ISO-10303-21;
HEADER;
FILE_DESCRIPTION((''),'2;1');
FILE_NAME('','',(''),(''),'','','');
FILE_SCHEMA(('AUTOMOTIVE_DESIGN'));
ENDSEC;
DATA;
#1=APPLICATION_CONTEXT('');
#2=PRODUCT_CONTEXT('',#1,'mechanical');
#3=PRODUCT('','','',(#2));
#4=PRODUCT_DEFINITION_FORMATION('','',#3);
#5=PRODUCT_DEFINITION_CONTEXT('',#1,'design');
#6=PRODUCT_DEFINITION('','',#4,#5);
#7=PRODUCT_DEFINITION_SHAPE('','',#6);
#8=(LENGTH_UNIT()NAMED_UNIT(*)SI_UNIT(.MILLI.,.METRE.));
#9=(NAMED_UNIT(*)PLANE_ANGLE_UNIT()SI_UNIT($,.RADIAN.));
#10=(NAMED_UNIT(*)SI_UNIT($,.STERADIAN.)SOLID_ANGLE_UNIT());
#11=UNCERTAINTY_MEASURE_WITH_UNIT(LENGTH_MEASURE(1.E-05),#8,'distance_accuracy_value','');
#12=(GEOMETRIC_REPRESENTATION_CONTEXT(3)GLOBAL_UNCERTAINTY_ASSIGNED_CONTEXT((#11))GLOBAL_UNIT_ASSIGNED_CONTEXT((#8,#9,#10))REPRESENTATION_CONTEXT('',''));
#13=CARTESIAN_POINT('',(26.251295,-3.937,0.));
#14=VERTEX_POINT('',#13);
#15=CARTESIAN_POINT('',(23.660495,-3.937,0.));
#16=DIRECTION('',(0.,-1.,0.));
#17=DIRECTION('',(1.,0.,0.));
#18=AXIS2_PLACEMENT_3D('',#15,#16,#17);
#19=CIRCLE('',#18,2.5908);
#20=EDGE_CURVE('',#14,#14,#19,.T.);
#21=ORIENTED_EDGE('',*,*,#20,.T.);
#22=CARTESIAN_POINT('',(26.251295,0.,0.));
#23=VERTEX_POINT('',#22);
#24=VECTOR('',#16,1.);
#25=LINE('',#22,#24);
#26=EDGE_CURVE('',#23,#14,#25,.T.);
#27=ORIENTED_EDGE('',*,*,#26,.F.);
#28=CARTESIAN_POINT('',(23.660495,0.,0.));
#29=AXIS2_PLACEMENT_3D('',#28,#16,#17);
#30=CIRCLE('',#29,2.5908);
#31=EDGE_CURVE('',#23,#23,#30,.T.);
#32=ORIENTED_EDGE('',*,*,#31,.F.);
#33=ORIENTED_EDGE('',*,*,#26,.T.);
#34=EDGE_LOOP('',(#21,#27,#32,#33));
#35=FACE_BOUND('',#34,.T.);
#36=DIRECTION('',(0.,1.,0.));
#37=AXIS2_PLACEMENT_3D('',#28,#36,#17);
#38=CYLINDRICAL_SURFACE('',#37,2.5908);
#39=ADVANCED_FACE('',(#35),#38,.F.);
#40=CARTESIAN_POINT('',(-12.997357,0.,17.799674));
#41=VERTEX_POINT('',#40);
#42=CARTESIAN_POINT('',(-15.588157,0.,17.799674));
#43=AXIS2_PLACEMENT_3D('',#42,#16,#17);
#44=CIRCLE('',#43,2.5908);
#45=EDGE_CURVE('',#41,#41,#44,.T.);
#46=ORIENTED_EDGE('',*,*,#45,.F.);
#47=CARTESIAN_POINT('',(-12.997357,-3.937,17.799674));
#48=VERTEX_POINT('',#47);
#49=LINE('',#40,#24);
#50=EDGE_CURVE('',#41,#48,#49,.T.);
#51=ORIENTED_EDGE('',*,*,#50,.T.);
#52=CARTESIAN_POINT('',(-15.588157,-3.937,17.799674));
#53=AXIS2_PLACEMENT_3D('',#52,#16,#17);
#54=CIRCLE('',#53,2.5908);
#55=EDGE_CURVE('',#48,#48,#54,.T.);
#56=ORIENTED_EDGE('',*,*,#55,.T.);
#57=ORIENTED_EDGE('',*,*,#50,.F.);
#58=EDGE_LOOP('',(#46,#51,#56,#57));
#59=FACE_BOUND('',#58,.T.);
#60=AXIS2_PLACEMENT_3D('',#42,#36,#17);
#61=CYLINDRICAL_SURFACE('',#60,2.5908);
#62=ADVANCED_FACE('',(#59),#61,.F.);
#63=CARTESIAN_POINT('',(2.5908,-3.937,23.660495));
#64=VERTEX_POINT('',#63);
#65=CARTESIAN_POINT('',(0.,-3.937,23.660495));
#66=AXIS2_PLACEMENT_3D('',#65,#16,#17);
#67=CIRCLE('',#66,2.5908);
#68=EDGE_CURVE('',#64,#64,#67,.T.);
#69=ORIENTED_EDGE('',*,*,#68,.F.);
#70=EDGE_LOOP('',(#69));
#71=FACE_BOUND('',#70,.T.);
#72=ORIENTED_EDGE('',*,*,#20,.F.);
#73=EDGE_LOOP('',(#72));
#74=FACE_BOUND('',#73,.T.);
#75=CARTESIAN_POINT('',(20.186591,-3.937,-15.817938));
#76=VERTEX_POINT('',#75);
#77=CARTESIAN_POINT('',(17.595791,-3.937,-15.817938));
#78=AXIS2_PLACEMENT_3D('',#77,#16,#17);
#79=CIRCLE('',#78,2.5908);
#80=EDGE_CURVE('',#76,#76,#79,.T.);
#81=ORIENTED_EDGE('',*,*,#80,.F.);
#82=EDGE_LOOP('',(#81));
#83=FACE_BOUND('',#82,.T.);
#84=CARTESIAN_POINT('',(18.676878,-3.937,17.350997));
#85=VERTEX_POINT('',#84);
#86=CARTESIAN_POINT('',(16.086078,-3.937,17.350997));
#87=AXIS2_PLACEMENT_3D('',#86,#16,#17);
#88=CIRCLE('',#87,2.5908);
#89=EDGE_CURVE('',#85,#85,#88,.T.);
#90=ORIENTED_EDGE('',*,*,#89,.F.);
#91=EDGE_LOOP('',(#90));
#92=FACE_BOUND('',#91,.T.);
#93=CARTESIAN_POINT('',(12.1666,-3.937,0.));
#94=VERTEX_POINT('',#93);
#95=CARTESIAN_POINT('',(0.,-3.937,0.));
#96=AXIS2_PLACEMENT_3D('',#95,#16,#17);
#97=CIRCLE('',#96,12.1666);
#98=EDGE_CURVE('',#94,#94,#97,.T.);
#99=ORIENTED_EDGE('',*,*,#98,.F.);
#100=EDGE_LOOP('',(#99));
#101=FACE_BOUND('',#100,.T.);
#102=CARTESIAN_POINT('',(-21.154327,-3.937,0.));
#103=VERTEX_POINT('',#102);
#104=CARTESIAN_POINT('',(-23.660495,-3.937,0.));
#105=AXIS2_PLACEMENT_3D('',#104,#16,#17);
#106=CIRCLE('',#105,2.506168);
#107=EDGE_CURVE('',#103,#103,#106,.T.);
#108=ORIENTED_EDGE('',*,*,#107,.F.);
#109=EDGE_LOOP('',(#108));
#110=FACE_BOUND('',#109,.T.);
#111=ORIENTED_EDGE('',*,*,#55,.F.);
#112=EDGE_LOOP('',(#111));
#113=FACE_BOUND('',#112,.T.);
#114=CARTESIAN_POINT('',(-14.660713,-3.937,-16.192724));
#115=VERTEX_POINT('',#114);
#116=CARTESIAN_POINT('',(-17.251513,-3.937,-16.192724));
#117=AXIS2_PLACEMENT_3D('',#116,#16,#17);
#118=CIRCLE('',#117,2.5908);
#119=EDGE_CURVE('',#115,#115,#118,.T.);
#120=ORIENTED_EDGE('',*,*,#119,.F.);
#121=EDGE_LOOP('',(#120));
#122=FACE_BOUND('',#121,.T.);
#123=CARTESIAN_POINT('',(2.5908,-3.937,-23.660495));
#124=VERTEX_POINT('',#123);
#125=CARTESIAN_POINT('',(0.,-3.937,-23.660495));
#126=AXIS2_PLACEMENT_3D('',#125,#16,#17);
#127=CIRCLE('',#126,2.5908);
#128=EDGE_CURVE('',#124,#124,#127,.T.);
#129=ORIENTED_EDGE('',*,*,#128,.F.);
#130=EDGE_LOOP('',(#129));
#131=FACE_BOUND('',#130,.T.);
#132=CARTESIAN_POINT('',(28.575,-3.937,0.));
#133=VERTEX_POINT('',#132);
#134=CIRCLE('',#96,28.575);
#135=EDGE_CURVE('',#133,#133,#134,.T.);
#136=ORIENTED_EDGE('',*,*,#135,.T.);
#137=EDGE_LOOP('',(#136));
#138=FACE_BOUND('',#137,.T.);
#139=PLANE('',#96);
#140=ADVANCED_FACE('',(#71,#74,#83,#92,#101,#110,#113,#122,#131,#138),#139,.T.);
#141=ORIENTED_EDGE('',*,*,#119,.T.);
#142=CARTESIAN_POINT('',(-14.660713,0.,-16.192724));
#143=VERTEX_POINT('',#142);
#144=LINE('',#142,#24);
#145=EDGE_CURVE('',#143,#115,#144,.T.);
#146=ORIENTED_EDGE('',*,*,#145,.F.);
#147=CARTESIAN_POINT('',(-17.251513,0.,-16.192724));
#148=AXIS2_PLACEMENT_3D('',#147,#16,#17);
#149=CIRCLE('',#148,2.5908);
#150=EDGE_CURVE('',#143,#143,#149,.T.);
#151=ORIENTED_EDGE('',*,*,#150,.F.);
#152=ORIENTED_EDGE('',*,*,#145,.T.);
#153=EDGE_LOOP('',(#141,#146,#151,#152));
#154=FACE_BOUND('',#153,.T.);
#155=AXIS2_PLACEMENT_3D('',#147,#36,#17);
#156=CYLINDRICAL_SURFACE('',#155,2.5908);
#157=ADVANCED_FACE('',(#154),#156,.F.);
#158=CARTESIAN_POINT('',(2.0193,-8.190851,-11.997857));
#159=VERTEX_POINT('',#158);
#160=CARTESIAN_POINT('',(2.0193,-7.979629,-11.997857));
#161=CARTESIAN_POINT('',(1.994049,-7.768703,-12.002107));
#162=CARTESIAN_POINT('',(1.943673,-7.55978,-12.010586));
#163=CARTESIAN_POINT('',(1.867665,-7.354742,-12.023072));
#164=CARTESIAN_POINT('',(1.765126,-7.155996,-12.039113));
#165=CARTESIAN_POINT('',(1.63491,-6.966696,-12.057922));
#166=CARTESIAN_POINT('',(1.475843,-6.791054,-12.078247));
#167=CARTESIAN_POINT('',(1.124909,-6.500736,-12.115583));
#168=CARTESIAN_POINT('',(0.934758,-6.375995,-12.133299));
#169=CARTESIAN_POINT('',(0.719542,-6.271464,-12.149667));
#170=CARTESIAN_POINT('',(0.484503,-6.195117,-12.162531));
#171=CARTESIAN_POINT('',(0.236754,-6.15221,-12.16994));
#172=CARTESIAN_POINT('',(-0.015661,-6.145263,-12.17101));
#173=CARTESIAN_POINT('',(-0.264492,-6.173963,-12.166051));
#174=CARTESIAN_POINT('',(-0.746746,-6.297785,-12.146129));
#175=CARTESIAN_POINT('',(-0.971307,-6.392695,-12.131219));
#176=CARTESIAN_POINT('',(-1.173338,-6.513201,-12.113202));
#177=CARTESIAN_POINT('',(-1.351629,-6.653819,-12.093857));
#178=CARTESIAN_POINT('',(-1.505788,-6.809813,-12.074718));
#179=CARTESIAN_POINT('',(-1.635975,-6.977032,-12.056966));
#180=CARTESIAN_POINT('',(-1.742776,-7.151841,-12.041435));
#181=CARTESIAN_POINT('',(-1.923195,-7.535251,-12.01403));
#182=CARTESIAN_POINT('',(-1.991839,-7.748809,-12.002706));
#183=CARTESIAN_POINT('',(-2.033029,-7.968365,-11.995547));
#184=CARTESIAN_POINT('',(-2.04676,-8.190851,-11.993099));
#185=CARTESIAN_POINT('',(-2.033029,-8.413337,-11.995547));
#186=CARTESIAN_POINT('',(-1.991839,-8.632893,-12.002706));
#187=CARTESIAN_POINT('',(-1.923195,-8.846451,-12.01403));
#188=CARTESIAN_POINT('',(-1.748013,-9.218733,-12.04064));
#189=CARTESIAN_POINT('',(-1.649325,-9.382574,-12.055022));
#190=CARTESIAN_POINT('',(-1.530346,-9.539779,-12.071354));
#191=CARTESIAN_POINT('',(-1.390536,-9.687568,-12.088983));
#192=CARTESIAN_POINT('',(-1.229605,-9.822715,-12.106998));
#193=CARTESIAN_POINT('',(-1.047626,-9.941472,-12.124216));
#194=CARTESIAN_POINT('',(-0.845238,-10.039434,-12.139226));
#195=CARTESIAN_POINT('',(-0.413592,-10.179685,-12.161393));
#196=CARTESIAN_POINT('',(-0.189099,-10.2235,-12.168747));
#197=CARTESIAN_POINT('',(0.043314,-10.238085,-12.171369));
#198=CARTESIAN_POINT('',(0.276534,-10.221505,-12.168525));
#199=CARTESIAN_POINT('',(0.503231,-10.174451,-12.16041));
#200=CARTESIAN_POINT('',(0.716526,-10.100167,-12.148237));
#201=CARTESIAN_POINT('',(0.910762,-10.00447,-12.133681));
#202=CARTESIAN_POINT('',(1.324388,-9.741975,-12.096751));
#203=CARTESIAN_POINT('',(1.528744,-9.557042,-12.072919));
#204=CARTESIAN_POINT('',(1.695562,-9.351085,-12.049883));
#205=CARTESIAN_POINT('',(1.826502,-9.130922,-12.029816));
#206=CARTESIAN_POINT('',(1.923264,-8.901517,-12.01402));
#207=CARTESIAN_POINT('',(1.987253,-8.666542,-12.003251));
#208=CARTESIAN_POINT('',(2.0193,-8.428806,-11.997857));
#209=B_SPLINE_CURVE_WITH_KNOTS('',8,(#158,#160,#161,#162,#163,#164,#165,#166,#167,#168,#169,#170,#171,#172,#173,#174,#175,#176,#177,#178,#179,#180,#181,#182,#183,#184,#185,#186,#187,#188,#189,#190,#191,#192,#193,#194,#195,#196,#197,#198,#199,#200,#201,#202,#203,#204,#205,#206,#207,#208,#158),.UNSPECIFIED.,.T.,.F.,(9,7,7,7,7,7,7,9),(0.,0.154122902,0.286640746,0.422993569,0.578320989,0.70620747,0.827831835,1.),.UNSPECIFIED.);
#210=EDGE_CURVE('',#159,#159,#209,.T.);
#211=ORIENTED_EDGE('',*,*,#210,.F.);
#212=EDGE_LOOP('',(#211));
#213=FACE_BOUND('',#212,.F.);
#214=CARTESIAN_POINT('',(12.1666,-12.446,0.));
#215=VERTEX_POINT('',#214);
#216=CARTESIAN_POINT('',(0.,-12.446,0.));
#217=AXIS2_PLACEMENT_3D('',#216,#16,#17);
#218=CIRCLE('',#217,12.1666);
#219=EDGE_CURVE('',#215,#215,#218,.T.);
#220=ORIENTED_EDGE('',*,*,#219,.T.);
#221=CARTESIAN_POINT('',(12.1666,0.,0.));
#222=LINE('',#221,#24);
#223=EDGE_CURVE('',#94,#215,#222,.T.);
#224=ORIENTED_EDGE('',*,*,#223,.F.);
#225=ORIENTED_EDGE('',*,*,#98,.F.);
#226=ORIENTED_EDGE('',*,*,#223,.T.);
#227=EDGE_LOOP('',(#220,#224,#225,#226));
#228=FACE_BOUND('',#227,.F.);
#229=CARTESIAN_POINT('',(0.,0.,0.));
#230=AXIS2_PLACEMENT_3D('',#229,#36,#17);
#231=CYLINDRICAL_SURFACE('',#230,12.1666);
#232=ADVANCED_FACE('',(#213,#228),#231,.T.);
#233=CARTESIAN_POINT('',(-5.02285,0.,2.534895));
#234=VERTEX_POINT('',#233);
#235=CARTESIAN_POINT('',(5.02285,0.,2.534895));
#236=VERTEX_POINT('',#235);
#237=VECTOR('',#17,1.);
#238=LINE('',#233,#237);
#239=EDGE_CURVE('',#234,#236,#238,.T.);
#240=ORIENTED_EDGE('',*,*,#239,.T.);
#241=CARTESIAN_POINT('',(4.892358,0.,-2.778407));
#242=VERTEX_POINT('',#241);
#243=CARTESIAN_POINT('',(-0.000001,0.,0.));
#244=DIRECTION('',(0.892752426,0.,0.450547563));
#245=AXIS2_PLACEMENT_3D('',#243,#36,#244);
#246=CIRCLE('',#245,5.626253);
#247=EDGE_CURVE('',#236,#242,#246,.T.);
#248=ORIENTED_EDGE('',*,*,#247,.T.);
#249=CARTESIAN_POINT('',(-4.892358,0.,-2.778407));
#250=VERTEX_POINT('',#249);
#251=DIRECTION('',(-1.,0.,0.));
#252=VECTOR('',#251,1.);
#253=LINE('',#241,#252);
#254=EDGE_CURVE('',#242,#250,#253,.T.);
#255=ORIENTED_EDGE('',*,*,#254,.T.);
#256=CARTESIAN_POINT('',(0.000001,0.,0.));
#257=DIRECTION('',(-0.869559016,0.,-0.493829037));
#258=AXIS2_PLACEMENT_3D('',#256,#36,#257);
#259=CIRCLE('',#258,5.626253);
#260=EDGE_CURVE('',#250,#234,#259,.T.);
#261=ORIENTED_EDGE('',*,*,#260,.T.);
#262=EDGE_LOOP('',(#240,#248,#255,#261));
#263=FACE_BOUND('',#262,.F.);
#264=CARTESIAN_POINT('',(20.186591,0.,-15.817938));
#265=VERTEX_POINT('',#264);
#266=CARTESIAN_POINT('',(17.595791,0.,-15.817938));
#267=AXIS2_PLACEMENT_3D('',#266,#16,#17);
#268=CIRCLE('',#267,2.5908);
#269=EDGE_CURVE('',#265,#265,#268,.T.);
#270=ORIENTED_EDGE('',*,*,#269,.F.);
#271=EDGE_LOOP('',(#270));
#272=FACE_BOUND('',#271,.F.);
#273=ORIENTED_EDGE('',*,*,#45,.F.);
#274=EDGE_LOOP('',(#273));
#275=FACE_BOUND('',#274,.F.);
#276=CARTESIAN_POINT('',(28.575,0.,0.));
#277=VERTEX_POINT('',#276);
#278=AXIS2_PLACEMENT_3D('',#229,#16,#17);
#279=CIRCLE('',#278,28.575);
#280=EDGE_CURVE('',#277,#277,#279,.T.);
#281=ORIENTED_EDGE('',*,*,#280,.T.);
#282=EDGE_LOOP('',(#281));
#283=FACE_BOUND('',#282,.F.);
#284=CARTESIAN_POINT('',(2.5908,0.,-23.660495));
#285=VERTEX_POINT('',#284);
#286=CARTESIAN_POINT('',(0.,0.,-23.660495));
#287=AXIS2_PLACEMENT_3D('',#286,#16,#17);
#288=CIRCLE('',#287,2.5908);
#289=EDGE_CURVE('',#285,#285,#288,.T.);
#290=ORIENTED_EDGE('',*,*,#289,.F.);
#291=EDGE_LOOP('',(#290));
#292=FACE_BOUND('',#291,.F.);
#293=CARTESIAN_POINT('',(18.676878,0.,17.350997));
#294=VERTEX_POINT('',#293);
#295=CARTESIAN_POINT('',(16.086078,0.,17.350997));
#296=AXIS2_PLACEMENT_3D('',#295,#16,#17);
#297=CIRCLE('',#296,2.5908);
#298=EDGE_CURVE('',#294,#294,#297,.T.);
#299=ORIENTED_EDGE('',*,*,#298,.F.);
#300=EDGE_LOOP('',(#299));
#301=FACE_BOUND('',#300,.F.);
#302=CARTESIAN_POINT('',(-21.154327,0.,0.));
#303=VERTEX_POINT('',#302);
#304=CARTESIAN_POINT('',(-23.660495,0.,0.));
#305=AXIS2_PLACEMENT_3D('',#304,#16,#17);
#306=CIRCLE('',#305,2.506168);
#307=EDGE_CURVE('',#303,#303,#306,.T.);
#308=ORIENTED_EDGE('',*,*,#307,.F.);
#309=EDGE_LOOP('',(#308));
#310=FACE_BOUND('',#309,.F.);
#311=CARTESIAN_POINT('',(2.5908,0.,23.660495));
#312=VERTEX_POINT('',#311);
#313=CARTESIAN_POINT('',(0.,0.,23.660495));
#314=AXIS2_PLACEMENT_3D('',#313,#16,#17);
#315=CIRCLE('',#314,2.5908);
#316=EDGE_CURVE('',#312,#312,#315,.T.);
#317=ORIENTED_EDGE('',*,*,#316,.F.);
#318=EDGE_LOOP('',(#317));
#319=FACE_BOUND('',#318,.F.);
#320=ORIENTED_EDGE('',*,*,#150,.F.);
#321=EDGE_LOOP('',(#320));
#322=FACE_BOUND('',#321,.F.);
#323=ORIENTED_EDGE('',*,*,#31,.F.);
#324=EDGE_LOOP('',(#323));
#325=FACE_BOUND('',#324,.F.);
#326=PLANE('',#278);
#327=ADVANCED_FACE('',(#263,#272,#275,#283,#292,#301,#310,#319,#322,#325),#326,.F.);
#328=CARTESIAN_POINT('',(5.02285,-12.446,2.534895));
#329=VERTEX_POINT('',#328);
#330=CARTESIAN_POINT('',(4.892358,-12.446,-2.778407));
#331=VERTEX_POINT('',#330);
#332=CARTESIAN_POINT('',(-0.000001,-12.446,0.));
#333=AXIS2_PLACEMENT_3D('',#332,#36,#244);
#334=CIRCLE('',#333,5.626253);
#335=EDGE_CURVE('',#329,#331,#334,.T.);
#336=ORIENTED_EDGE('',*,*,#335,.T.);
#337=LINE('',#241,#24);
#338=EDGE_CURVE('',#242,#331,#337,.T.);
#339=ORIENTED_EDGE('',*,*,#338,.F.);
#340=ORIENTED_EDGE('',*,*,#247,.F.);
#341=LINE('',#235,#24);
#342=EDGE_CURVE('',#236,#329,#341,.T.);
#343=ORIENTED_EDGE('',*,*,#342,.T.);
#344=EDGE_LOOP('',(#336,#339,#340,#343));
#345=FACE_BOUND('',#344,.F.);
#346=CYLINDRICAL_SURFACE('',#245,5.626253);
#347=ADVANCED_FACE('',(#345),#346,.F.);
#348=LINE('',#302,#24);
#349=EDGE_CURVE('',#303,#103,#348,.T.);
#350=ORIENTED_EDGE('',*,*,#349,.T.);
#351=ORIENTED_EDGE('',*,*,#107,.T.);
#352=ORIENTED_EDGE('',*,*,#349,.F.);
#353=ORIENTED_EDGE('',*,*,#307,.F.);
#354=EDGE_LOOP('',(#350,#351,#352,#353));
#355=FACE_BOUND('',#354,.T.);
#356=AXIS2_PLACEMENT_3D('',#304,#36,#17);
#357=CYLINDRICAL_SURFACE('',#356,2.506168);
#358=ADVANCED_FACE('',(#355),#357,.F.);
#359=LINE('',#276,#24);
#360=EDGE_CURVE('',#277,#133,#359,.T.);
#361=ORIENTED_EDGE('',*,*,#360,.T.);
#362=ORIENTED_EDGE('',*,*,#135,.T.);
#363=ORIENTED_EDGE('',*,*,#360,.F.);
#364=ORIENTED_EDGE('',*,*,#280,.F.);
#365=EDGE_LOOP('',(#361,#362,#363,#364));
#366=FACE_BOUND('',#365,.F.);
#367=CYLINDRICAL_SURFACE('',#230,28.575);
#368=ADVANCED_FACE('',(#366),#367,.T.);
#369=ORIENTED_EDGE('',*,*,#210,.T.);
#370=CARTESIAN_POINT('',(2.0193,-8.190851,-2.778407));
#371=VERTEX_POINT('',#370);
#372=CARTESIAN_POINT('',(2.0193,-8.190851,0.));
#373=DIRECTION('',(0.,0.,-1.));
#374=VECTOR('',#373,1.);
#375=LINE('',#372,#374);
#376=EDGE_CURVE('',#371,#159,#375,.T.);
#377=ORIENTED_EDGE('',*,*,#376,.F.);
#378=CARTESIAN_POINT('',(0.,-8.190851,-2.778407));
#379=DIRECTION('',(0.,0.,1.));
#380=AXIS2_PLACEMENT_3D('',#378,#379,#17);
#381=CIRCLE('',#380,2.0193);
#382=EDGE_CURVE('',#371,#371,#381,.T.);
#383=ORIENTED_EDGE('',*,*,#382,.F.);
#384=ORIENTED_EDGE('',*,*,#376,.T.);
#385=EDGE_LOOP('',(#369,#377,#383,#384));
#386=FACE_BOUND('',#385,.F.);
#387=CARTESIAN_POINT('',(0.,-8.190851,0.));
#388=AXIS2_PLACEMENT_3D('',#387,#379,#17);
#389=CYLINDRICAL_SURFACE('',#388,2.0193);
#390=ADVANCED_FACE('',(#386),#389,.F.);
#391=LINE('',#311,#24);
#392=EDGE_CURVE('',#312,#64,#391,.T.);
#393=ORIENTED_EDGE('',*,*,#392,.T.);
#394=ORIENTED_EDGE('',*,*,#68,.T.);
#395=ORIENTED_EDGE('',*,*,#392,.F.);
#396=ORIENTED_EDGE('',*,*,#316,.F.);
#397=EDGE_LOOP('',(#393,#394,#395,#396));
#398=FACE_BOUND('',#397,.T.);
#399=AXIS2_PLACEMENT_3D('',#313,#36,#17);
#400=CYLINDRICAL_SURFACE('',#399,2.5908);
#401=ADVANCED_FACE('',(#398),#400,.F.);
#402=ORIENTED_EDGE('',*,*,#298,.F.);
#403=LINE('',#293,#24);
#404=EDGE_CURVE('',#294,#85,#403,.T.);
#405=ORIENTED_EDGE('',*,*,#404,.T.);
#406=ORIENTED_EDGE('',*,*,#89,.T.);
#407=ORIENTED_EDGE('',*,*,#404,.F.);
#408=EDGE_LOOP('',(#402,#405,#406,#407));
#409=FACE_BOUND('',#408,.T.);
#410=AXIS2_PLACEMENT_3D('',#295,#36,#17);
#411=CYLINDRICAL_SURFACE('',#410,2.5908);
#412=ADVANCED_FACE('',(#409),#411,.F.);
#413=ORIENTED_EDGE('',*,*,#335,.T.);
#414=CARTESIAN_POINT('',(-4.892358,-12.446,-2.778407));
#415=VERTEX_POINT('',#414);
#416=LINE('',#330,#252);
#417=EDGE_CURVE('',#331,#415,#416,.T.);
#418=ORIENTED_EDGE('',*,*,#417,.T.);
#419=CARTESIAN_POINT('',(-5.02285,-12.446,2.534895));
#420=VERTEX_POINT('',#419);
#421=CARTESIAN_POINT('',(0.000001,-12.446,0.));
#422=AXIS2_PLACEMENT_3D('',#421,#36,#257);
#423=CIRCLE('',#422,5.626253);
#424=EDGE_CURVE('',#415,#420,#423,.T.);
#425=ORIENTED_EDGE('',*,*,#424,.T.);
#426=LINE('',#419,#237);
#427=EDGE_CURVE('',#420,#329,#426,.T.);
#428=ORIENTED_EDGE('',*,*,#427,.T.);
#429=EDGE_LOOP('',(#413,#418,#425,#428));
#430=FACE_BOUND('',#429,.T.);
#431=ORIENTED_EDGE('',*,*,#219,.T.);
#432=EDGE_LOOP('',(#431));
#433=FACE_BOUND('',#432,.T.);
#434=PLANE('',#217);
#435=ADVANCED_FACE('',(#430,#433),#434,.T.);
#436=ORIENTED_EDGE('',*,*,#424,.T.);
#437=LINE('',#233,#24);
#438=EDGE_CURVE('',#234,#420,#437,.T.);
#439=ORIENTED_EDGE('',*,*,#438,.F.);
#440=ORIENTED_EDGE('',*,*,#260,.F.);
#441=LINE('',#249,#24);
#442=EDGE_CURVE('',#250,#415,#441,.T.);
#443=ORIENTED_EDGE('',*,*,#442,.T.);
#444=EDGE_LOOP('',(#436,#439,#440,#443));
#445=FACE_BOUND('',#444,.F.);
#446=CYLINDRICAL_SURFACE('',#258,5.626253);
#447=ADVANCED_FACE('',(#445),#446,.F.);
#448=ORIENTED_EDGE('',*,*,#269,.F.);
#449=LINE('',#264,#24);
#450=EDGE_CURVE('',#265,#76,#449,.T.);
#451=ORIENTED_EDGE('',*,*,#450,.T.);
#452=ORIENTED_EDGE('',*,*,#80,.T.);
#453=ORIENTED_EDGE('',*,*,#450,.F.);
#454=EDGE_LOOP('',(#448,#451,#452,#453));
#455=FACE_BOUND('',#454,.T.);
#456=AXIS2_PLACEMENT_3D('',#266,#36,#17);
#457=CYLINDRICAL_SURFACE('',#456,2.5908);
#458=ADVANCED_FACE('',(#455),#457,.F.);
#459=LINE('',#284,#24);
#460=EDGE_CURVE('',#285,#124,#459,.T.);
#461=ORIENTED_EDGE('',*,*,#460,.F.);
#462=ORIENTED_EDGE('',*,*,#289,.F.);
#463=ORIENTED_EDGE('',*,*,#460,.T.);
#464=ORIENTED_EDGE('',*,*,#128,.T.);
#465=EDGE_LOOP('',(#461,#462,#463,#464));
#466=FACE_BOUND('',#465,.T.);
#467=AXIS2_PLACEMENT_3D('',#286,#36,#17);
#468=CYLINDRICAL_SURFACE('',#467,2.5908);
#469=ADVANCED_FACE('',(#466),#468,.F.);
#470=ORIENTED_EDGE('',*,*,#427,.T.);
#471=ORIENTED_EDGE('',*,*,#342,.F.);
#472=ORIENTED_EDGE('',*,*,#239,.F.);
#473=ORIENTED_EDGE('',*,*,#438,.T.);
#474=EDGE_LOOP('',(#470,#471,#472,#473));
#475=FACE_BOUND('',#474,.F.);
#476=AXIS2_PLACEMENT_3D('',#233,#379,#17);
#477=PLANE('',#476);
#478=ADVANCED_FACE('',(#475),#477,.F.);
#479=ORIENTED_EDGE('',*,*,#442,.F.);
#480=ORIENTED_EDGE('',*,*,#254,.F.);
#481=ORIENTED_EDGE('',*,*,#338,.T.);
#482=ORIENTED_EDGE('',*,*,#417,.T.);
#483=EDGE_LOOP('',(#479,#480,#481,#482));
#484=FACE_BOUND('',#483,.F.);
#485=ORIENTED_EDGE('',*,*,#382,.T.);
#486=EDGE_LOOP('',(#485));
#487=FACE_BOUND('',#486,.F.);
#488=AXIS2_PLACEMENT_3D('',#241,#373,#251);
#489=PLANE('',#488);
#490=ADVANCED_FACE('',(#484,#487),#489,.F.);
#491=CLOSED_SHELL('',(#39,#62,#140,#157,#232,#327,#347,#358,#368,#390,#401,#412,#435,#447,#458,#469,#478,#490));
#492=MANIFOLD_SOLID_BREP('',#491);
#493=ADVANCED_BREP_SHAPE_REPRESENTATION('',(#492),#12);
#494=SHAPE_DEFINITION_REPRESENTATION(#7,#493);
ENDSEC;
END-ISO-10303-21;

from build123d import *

# Parameters (mm, degrees)
F0_R     = 12.1666
F1_DEPTH = 12.446
F0_R_2   = 28.575
F0_R_3   = 2.5908
F0_R_4   = 2.506168
F2_DEPTH = 3.937
F3_R     = 2.0193
F4_DEPTH = 25.4


with BuildPart() as f1:
    # F0 (on Front) → F1 (new body)
    with BuildSketch(Plane.XZ):
        Circle(F0_R)
        with BuildLine():
            ThreePointArc((-4.892358, -2.778407), (-5.624556, -0.138136), (-5.02285, 2.534895))
            Line((-5.02285, 2.534895), (5.02285, 2.534895))
            ThreePointArc((5.02285, 2.534895), (5.624556, -0.138136), (4.892358, -2.778407))
            Line((4.892358, -2.778407), (-4.892358, -2.778407))
        make_face(mode=Mode.SUBTRACT)
    extrude(amount=F1_DEPTH)

    # F0 (on Front) → F2 (join)
    with BuildSketch(Plane.XZ):
        Circle(F0_R_2)
        with Locations((-17.251513, -16.192724)):
            Circle(F0_R_3, mode=Mode.SUBTRACT)
        with Locations((0, -23.660495)):
            Circle(F0_R_3, mode=Mode.SUBTRACT)
        with Locations((17.595791, -15.817938)):
            Circle(F0_R_3, mode=Mode.SUBTRACT)
        with Locations((-23.660495, 0)):
            Circle(F0_R_4, mode=Mode.SUBTRACT)
        with Locations((-15.588157, 17.799674)):
            Circle(F0_R_3, mode=Mode.SUBTRACT)
        Circle(F0_R, mode=Mode.SUBTRACT)
        with Locations((23.660495, 0)):
            Circle(F0_R_3, mode=Mode.SUBTRACT)
        with Locations((0, 23.660495)):
            Circle(F0_R_3, mode=Mode.SUBTRACT)
        with Locations((16.086078, 17.350997)):
            Circle(F0_R_3, mode=Mode.SUBTRACT)
    extrude(amount=F2_DEPTH)

    # F3 (on Top) → F4 (cut)
    with BuildSketch(Plane.XY):
        with Locations((0, -8.190851)):
            Circle(F3_R)
    extrude(amount=-F4_DEPTH, mode=Mode.SUBTRACT)


solid = f1.part
